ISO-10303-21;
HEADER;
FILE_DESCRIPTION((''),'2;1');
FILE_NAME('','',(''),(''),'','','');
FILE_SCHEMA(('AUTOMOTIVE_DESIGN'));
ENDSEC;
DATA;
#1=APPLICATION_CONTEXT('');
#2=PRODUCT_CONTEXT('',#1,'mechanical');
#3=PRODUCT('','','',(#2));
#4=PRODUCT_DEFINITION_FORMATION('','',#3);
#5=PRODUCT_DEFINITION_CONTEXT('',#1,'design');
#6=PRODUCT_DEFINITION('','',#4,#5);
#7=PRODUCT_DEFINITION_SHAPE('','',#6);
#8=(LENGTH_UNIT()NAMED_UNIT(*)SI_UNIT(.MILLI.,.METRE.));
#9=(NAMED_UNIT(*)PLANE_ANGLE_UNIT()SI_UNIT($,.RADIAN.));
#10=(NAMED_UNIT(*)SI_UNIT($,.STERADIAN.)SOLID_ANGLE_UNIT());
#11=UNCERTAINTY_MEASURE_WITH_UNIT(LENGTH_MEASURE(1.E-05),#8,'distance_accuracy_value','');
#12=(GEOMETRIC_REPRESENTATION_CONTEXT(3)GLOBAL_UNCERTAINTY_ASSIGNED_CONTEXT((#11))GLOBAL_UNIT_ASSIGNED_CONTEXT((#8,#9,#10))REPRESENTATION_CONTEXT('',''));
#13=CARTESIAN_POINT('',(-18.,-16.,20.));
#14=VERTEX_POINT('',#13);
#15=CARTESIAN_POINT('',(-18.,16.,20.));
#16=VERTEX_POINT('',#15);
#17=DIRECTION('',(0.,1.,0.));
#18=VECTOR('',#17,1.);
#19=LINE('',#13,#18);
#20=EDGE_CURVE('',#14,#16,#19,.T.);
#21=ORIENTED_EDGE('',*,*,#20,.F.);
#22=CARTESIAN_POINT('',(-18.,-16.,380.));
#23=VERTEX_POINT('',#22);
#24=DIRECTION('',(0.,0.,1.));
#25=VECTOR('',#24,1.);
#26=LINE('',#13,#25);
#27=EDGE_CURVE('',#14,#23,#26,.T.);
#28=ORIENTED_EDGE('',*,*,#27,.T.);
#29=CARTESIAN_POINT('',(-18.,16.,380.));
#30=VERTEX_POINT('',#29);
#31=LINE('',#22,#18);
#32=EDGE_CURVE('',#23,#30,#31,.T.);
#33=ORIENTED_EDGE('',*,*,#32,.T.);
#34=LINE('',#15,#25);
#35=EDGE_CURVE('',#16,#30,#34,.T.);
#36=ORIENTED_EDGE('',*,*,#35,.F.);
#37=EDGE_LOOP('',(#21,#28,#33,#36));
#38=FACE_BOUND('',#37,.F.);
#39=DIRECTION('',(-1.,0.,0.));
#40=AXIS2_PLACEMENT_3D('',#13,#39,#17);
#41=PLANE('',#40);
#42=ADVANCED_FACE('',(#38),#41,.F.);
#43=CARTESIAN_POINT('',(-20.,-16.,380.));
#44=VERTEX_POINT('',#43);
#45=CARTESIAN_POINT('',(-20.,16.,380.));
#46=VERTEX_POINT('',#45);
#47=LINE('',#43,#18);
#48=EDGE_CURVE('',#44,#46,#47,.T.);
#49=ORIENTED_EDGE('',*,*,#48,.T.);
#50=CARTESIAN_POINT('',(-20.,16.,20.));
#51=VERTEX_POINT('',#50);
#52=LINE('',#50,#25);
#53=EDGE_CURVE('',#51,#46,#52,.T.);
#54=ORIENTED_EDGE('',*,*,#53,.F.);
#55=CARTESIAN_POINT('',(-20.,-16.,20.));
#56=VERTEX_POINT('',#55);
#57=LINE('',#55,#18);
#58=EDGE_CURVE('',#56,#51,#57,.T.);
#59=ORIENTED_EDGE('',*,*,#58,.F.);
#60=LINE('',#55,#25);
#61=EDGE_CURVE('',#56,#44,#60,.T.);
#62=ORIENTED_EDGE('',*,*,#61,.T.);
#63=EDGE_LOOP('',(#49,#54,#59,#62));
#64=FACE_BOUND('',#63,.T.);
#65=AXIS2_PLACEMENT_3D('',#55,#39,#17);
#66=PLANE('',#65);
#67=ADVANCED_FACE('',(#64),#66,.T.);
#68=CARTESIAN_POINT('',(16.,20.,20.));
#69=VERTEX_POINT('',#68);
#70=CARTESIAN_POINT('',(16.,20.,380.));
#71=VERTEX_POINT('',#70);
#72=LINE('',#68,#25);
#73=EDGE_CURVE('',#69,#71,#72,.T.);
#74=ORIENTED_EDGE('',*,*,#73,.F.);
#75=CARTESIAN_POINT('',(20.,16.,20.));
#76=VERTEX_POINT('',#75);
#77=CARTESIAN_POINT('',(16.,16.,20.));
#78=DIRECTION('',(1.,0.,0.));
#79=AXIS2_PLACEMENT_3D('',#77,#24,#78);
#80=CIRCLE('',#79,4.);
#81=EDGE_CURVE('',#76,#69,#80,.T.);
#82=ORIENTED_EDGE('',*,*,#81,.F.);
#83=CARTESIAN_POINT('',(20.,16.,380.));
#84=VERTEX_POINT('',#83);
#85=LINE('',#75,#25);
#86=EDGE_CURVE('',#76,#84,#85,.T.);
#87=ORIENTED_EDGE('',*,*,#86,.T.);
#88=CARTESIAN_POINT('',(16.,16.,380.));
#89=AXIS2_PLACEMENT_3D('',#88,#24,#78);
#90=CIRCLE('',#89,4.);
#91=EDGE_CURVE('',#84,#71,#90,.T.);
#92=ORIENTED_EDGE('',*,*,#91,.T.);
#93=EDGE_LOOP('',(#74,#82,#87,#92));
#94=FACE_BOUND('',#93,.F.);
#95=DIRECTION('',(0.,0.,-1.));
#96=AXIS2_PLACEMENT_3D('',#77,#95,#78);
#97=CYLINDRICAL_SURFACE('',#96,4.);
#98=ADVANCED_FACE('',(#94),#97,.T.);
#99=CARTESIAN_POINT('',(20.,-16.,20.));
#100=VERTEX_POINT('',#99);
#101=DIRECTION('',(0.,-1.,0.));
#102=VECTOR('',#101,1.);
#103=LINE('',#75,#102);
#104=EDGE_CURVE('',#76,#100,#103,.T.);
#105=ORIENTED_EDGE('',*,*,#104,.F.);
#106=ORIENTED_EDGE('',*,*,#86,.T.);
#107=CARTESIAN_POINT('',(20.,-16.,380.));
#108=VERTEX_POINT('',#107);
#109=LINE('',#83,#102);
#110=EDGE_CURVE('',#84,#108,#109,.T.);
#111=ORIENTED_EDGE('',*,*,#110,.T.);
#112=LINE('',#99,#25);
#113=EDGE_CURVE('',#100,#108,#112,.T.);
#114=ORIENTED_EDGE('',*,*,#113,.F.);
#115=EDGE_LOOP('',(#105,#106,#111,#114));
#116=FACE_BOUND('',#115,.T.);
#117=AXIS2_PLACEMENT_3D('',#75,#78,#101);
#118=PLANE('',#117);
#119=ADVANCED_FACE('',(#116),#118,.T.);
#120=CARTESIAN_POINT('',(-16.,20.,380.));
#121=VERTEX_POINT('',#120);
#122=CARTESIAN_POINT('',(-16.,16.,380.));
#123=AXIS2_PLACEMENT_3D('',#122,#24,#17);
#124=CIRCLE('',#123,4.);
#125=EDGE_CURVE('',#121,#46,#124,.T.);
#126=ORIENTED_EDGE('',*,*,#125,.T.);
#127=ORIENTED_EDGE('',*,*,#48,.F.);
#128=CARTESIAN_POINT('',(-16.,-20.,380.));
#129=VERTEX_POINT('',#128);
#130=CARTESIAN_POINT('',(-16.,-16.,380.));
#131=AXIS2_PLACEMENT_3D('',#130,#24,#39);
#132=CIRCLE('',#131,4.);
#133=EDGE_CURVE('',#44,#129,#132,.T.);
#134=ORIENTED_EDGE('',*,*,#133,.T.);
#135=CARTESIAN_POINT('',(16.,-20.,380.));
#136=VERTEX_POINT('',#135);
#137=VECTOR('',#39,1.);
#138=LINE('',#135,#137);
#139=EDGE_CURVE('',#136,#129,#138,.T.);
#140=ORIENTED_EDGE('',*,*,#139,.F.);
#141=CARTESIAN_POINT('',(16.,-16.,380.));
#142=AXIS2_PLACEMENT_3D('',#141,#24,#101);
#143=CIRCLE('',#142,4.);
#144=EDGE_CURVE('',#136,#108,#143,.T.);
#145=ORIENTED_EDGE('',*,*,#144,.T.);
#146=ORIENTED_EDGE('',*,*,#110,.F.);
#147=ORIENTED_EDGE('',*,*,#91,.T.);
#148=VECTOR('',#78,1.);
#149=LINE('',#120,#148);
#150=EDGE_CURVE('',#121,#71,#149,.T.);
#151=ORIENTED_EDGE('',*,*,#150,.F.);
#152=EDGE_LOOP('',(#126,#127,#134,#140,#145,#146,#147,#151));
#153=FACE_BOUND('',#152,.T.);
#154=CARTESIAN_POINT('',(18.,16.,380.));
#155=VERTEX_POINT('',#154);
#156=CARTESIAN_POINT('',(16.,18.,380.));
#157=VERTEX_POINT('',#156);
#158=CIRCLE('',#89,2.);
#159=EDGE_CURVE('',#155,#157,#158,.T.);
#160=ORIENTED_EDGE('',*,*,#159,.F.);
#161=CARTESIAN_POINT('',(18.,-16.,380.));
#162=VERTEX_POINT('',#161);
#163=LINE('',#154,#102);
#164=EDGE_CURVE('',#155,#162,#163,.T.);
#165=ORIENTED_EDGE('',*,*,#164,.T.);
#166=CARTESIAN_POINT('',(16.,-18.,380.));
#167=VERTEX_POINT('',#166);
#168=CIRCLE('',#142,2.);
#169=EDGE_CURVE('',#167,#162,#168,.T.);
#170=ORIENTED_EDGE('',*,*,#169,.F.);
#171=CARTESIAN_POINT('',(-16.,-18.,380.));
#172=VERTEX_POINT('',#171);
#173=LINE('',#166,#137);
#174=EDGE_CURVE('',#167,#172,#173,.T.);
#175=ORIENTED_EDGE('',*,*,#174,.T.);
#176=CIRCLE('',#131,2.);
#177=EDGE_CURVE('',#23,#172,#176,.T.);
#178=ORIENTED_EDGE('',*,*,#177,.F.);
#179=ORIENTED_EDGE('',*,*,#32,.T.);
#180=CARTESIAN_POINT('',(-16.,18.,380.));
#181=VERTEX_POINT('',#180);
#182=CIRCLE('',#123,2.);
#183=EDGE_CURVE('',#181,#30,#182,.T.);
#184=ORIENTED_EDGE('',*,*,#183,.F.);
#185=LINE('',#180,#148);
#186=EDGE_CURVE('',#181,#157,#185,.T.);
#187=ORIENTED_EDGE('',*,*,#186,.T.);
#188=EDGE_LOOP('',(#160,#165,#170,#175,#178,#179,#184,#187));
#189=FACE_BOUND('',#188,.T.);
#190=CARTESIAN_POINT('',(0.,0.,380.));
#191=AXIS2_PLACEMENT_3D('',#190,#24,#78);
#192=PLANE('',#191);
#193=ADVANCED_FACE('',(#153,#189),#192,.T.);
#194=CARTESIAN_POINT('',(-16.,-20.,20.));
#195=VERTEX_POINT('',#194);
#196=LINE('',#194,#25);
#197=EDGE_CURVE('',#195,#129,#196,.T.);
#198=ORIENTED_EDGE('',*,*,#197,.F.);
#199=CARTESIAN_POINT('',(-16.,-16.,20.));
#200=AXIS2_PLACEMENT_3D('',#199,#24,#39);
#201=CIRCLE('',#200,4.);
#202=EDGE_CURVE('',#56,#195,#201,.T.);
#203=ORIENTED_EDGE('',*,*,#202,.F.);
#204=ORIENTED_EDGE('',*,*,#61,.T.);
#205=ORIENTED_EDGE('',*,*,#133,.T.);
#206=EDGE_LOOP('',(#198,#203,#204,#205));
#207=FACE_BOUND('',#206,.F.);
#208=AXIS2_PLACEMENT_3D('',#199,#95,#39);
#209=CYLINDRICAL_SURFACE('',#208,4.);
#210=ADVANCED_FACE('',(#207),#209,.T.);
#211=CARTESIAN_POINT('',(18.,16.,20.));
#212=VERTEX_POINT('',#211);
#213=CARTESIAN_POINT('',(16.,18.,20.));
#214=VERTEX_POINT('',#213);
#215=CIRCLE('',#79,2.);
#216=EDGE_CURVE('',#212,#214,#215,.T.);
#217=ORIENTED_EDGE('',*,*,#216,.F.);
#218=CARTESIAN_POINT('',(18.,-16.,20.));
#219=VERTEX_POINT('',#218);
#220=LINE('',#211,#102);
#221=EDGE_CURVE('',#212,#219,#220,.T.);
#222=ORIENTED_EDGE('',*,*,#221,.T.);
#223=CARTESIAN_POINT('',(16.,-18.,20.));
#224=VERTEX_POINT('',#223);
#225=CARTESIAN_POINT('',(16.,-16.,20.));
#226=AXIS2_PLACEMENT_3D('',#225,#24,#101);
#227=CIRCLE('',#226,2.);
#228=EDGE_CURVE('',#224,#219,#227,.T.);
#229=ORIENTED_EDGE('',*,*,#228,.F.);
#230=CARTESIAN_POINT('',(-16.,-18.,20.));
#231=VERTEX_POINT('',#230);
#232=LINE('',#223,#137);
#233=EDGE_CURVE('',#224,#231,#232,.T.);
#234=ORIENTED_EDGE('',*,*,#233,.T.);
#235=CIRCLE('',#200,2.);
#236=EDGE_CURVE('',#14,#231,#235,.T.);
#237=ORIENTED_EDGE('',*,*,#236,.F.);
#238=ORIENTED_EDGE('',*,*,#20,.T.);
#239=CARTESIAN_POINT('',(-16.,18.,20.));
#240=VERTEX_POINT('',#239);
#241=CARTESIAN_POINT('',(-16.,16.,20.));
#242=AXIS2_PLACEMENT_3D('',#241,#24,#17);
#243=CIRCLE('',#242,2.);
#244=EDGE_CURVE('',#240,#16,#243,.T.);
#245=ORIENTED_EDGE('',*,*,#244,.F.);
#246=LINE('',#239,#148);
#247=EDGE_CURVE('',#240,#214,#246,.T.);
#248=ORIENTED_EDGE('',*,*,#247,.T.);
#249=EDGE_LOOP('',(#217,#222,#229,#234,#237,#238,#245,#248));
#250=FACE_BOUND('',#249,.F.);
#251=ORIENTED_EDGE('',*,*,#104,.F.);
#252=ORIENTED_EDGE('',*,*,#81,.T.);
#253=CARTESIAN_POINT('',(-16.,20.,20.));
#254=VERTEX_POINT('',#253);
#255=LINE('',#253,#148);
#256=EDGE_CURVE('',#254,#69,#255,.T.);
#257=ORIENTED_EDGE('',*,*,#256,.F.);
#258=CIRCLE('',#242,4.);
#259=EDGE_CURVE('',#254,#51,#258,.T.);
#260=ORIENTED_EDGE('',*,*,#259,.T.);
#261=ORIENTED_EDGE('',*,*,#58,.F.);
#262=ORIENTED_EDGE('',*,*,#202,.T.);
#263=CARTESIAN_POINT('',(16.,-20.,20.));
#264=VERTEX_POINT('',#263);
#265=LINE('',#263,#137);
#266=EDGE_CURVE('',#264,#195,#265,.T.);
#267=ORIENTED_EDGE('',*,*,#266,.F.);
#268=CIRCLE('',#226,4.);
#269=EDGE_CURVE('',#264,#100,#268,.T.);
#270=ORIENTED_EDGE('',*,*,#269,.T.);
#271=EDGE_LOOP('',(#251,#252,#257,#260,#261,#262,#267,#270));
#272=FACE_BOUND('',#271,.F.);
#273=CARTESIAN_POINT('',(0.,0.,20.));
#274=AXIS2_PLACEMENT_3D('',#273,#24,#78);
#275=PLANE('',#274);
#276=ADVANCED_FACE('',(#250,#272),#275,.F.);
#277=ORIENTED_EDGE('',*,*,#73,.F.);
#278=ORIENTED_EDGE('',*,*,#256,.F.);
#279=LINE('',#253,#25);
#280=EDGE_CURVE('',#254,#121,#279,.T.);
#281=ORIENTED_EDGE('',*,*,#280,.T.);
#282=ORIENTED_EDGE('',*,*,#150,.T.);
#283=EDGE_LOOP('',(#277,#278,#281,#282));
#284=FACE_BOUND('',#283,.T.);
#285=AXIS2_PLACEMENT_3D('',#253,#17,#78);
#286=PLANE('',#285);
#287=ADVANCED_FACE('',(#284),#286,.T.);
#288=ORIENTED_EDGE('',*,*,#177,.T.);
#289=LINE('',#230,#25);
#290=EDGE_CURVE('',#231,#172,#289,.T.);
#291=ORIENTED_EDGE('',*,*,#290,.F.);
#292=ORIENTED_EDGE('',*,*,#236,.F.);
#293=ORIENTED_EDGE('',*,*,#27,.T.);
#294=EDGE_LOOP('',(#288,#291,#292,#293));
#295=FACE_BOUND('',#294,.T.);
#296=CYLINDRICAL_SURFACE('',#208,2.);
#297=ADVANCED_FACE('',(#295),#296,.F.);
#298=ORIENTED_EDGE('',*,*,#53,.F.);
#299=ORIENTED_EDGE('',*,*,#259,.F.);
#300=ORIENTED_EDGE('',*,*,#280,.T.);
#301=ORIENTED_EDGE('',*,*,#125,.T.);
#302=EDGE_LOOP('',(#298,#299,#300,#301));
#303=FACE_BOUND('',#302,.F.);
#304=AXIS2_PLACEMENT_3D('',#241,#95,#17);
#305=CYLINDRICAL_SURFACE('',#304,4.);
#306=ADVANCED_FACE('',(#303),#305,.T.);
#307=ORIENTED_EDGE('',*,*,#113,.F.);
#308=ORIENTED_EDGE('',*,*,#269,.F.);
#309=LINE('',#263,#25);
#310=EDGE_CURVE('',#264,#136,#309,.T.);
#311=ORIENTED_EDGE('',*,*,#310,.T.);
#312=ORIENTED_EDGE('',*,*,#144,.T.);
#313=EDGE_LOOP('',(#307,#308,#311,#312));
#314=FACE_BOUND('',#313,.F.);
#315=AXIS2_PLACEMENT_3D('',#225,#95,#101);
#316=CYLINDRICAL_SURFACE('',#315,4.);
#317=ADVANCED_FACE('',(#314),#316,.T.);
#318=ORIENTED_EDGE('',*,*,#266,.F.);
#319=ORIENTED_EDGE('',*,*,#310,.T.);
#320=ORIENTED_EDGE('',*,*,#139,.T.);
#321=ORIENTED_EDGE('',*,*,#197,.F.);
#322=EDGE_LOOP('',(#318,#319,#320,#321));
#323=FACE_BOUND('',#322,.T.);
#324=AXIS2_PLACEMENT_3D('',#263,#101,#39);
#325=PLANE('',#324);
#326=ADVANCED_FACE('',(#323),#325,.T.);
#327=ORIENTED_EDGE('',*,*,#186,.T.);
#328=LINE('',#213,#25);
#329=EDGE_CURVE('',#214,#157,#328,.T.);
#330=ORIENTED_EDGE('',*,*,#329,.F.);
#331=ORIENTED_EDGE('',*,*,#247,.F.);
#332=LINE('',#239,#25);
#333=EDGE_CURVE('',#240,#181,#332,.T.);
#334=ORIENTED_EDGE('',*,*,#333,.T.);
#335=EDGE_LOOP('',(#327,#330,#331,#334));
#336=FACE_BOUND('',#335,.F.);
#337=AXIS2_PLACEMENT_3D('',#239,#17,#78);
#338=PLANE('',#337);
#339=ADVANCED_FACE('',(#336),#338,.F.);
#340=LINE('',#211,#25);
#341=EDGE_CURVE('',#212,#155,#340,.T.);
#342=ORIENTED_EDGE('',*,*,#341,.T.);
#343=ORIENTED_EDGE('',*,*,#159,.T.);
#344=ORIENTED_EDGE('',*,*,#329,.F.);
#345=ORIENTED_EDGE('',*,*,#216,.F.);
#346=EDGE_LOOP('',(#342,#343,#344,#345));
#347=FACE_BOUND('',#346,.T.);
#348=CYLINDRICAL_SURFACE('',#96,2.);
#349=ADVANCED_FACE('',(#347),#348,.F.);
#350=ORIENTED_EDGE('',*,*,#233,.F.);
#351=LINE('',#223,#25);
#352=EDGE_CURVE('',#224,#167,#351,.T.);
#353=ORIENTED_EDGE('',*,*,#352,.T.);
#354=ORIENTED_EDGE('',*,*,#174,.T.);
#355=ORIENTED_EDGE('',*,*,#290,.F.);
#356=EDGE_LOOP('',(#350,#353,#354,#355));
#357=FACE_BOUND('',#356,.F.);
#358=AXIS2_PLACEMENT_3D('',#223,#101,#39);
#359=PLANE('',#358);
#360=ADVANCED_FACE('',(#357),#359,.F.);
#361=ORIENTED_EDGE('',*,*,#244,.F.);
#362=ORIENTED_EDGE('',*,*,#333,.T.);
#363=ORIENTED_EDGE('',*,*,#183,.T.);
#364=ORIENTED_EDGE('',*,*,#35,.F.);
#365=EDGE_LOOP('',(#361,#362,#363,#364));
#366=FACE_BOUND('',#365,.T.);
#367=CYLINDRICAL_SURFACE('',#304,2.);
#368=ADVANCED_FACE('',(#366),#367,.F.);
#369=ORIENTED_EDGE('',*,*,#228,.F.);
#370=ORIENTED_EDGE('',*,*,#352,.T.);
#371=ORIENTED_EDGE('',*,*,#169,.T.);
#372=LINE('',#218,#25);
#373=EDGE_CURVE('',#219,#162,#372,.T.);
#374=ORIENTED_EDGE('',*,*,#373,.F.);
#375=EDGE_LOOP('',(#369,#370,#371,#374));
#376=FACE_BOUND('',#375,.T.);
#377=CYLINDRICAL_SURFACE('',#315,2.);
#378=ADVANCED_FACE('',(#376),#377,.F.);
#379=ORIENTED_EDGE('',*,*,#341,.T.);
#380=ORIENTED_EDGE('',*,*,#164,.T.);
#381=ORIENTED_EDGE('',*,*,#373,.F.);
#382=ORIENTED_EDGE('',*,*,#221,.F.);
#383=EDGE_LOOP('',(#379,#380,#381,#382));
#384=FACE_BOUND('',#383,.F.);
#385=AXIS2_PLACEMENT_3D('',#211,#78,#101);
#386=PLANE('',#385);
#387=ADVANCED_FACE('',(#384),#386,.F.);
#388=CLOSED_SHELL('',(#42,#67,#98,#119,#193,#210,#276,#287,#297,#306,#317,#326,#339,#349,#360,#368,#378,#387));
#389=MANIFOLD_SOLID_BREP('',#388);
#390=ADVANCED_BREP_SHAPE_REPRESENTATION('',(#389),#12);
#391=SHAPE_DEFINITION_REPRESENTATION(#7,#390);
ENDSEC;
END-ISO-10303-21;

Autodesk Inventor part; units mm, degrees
ref_plane "YZ Plane" through (0, 0, 0) normal (1, 0, 0) x (0, 1, 0)
ref_plane "Start Plane" through (0, 0, 20) normal (0, 0, 1) x (1, 0, 0)
ref_plane "End Plane" through (0, 0, 380) normal (0, 0, 1) x (1, 0, 0)
sketch "Sketch" plane through (0, 0, 0) normal (0, 0, 1) x (1, 0, 0)
  line L0 (-20, -16) -> (-20, 16)
  line L1 (-16, 20) -> (16, 20)
  line L2 (20, 16) -> (20, -16)
  line L3 (16, -20) -> (-16, -20)
  arc A0 (-20, -16) -> (-16, -20) centre (-16, -16) ccw
  arc A1 (20, 16) -> (16, 20) centre (16, 16) ccw
  arc A2 (-16, 20) -> (-20, 16) centre (-16, 16) ccw
  arc A3 (16, -20) -> (20, -16) centre (16, -16) ccw
  arc A4 (-16, 18) -> (-18, 16) centre (-16, 16) ccw
  line L4 (-16, 18) -> (16, 18)
  arc A5 (18, 16) -> (16, 18) centre (16, 16) ccw
  line L5 (18, 16) -> (18, -16)
  arc A6 (16, -18) -> (18, -16) centre (16, -16) ccw
  line L6 (16, -18) -> (-16, -18)
  arc A7 (-18, -16) -> (-16, -18) centre (-16, -16) ccw
  line L7 (-18, -16) -> (-18, 16)
  line L8 (0, 29.1598) -> (0, -29.1598) construction
  line L9 (-29.1598, 0) -> (29.1598, 0) construction
  dimension "d7" = 4
  dimension "d9" = 40
  dimension "d11" = 40
  dimension "d12" = 2
  dimension "d15" = 20
  dimension "d16" = 20
extrude "Body" add sketch "Sketch" along normal up to surface (360 mm away) from surface at 20
sketch "Sketch3" plane through (0, 0, 0) normal (0, 0, 1) x (1, 0, 0)
  line L0 (0, 0) -> (10, 0)
ref_plane "Work Plane3" through (0, 0, 0) normal (0, -1, 0) x (1, 0, 0)
sketch "Sketch4" plane through (0, 0, 0) normal (0, -1, 0) x (1, 0, 0)
  line L0 (-2, 20) -> (12, 20) projected
  line L1 (-2, 380) -> (12, 380) projected
  dimension "d18" = 360
equation "\"d7\" = G_IR"
equation "\"d9\" = G_W"
equation "\"d11\" = G_H"
equation "\"d12\" = G_T"
equation "\"d15\" = 0.5 * d9"
equation "\"d16\" = 0.5 * d11"
equation "\"d3\" = G_L"
equation "\"G_W\" = 40"
equation "\"G_H\" = 40"
equation "\"G_T\" = 2"
equation "\"G_IR\" = 4"
equation "\"G_L\" = d18"
properties part number "ISO 10799-2 - 40x40x2 - 360" material "Steel, Mild"
